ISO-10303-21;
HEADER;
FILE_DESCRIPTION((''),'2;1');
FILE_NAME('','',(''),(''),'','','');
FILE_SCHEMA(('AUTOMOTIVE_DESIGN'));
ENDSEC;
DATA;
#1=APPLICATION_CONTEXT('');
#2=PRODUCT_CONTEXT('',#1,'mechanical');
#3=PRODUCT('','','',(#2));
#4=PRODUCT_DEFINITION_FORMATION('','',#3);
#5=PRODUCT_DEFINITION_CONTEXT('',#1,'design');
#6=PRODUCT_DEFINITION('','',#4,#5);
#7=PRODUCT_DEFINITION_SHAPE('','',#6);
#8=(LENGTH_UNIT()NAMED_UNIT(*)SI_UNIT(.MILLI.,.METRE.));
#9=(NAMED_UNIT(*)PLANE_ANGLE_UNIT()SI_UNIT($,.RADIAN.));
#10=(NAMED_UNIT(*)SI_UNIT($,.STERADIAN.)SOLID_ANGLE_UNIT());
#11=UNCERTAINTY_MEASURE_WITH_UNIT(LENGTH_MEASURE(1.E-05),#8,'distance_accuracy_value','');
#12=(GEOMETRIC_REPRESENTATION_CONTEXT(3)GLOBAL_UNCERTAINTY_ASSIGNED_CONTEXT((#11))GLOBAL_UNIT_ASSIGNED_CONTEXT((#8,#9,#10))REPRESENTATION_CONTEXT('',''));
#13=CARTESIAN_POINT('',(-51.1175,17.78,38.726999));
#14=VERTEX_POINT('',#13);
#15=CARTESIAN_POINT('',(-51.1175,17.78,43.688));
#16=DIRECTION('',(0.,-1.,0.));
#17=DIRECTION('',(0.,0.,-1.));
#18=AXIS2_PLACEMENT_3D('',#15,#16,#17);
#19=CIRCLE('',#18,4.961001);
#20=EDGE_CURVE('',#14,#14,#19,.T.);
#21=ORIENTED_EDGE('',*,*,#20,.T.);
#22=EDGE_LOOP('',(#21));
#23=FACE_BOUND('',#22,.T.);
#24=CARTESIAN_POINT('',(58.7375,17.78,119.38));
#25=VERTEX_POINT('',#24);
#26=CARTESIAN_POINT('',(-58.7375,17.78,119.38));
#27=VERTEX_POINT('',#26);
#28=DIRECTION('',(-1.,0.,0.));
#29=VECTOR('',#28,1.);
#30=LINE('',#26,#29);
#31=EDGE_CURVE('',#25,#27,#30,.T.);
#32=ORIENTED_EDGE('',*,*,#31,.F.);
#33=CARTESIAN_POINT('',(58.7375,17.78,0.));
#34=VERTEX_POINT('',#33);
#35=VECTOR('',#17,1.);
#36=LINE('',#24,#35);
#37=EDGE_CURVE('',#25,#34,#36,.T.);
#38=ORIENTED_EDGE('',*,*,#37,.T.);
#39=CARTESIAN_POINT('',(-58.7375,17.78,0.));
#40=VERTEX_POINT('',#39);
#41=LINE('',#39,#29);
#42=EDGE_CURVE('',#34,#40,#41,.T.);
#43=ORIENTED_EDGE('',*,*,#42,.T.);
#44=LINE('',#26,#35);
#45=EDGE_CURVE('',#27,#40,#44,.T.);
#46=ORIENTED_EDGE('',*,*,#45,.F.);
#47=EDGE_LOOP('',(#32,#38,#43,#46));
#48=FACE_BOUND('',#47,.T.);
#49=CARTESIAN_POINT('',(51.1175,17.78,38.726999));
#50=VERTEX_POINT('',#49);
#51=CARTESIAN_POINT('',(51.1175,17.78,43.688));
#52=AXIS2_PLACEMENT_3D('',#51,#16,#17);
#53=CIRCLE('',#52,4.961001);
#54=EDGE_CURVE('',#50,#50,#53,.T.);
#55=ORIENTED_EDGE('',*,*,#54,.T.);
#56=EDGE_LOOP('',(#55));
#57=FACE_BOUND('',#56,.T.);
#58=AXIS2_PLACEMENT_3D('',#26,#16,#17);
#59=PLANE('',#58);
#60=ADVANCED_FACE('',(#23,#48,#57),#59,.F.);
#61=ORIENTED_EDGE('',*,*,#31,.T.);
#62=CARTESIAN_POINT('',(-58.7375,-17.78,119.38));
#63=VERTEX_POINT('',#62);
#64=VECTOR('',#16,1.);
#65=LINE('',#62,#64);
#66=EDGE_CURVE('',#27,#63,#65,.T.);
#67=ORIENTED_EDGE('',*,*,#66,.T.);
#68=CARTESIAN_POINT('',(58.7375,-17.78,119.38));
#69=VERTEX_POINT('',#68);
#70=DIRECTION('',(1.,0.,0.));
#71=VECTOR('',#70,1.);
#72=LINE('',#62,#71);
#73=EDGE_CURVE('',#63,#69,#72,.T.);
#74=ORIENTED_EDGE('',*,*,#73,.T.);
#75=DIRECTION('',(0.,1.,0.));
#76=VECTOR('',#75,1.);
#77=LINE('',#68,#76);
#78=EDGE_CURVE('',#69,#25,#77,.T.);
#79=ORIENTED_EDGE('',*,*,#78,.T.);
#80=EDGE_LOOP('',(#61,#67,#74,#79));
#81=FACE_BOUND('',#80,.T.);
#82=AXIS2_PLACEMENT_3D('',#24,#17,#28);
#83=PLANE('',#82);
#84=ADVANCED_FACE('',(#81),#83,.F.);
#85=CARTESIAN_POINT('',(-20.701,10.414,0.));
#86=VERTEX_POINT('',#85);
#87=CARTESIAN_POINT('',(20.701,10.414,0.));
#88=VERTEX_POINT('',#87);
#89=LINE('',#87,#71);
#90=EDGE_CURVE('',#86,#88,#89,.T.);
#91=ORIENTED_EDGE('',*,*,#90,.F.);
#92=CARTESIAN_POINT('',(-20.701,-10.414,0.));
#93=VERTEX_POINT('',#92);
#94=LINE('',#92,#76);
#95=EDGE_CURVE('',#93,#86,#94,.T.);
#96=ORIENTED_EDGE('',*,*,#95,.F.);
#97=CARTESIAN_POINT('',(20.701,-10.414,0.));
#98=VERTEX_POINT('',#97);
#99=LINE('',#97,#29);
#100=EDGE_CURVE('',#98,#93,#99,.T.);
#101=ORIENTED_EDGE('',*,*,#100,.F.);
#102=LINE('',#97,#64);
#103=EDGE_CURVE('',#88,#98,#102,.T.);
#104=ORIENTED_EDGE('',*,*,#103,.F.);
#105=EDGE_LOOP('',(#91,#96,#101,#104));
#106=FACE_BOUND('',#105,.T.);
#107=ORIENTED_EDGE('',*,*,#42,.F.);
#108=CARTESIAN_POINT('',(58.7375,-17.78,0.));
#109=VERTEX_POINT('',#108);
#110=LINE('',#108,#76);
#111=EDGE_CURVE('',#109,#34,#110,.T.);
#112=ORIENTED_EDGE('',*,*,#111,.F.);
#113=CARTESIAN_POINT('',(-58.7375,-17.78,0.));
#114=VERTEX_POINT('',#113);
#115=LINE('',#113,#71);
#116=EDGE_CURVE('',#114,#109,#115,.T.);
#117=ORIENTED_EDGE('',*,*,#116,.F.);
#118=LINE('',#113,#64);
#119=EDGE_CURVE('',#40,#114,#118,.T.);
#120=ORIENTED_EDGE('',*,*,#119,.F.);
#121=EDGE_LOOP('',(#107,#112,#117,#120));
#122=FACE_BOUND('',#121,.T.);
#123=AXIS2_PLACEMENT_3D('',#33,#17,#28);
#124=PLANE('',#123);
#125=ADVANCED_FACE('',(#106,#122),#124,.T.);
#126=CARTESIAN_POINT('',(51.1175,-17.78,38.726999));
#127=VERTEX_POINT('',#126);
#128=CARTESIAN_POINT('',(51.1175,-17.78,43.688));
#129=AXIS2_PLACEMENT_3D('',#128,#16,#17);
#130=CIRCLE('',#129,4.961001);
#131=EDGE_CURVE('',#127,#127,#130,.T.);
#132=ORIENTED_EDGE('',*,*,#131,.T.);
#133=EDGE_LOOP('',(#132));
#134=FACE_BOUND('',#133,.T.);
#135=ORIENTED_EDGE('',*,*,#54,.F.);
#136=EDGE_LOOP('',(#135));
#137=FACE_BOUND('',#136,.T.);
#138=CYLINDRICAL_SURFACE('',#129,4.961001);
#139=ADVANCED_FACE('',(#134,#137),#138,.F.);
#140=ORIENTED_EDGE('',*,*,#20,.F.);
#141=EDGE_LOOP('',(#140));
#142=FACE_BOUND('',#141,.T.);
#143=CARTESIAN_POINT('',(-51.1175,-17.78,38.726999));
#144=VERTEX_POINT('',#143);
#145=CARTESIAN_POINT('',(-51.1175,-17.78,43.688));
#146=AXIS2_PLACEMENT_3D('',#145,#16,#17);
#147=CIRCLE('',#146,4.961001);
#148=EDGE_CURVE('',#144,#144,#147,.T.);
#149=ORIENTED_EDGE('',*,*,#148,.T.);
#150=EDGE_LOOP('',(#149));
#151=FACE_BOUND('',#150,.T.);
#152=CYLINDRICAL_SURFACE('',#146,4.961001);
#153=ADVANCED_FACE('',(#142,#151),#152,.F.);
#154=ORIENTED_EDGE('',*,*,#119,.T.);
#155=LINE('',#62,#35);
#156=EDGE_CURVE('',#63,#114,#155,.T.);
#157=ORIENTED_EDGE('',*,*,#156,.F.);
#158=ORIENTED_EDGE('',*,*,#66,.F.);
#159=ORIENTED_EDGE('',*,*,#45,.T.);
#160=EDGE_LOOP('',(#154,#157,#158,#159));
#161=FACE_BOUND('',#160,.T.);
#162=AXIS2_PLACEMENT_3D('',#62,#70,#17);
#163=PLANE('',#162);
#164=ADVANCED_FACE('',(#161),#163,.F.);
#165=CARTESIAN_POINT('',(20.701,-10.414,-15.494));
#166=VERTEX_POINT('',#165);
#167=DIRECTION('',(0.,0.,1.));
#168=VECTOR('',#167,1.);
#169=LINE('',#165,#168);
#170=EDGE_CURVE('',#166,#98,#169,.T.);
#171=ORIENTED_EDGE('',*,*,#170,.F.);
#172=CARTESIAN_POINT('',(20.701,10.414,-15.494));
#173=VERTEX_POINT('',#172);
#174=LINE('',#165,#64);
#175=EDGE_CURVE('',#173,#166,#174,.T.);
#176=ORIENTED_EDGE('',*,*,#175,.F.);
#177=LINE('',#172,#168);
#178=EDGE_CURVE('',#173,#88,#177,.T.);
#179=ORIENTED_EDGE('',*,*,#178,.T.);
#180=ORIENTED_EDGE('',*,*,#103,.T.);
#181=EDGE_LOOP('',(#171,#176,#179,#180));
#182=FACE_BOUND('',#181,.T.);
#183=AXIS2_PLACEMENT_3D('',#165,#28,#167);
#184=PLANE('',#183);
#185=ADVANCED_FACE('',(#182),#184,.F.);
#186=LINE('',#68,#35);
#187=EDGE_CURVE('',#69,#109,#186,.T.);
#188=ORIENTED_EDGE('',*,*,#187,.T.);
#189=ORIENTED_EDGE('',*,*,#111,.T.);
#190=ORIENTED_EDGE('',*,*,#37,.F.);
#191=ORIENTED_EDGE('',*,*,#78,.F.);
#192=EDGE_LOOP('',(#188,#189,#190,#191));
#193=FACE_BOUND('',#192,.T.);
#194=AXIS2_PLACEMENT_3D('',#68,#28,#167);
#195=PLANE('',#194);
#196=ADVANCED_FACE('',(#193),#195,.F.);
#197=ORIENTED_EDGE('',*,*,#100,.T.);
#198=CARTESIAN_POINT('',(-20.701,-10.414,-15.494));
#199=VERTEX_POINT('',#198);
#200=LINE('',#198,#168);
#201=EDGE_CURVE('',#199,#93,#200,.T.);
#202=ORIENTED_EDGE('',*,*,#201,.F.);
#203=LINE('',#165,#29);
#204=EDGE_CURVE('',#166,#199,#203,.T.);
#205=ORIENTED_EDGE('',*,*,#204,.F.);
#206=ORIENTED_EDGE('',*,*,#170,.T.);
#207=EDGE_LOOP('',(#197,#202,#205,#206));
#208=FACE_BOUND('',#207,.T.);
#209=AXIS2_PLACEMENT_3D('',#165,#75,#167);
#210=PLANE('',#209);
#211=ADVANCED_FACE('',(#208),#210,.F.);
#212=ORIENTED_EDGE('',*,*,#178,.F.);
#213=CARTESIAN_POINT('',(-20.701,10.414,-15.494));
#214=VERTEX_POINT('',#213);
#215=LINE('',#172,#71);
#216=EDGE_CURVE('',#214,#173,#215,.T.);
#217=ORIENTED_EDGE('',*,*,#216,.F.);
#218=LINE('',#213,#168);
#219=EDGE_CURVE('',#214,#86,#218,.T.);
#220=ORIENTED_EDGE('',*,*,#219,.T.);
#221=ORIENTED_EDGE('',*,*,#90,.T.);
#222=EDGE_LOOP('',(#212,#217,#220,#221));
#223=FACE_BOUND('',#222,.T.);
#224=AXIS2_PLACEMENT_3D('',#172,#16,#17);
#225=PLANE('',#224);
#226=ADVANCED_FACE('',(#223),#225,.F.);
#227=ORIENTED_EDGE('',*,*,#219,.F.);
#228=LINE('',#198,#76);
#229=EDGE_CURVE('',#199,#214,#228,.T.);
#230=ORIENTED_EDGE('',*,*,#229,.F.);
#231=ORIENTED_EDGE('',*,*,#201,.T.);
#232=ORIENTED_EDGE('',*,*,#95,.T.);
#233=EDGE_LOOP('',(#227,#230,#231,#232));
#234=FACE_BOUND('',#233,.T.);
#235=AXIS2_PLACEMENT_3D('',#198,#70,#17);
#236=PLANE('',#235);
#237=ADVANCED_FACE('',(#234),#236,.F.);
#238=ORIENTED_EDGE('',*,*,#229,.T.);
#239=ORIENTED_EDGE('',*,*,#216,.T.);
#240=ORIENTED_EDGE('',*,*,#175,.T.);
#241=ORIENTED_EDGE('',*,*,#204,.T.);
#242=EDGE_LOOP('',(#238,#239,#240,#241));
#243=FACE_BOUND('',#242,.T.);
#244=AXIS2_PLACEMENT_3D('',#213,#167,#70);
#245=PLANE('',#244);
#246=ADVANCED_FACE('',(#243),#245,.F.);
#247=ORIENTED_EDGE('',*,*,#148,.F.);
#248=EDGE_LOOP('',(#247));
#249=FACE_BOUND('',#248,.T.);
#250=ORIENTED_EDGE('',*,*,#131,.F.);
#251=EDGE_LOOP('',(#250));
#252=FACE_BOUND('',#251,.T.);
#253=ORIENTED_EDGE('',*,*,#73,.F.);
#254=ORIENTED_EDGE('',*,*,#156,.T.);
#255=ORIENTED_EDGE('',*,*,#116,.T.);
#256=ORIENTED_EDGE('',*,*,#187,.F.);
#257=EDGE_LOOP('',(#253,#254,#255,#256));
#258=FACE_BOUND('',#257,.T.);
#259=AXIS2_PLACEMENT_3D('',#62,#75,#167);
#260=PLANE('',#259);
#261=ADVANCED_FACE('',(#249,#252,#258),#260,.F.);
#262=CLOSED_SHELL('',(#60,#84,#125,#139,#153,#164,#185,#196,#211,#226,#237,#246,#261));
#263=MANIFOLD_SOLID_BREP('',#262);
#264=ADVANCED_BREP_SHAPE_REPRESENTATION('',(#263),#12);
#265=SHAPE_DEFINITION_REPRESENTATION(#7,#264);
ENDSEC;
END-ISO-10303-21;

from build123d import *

# Parameters (mm, degrees)
SKETCH1_W                        = 117.475
SKETCH1_H                        = 35.56
EXTRUDE1_DEPTH                   = 119.38
SKETCH2_W                        = 41.402
SKETCH2_H                        = 20.828
EXTRUDE2_DEPTH                   = 15.494
F_25_64_0_39063_DIAMETER_HOLE1_D = 9.922002


with BuildPart() as part:
    # Sketch1 → Extrude1 (new body)
    with BuildSketch(Plane.XY):
        Rectangle(SKETCH1_W, SKETCH1_H)
    extrude(amount=EXTRUDE1_DEPTH)

    # Sketch2 → Extrude2 (add)
    with BuildSketch(Plane(origin=(0, 0, 0), x_dir=(-1, 0, 0), z_dir=(0, 0, -1))):
        Rectangle(SKETCH2_W, SKETCH2_H)
    extrude(amount=EXTRUDE2_DEPTH)

    # 25/64 (0.39063) Diameter Hole1 (through all)
    with Locations(Plane(origin=(-51.1175, -17.78, 43.688), x_dir=(0, 0, -1), z_dir=(0, -1, 0))):
        with Locations((0, 0), (0, 102.235)):
            Hole(F_25_64_0_39063_DIAMETER_HOLE1_D / 2)


solid = part.part
